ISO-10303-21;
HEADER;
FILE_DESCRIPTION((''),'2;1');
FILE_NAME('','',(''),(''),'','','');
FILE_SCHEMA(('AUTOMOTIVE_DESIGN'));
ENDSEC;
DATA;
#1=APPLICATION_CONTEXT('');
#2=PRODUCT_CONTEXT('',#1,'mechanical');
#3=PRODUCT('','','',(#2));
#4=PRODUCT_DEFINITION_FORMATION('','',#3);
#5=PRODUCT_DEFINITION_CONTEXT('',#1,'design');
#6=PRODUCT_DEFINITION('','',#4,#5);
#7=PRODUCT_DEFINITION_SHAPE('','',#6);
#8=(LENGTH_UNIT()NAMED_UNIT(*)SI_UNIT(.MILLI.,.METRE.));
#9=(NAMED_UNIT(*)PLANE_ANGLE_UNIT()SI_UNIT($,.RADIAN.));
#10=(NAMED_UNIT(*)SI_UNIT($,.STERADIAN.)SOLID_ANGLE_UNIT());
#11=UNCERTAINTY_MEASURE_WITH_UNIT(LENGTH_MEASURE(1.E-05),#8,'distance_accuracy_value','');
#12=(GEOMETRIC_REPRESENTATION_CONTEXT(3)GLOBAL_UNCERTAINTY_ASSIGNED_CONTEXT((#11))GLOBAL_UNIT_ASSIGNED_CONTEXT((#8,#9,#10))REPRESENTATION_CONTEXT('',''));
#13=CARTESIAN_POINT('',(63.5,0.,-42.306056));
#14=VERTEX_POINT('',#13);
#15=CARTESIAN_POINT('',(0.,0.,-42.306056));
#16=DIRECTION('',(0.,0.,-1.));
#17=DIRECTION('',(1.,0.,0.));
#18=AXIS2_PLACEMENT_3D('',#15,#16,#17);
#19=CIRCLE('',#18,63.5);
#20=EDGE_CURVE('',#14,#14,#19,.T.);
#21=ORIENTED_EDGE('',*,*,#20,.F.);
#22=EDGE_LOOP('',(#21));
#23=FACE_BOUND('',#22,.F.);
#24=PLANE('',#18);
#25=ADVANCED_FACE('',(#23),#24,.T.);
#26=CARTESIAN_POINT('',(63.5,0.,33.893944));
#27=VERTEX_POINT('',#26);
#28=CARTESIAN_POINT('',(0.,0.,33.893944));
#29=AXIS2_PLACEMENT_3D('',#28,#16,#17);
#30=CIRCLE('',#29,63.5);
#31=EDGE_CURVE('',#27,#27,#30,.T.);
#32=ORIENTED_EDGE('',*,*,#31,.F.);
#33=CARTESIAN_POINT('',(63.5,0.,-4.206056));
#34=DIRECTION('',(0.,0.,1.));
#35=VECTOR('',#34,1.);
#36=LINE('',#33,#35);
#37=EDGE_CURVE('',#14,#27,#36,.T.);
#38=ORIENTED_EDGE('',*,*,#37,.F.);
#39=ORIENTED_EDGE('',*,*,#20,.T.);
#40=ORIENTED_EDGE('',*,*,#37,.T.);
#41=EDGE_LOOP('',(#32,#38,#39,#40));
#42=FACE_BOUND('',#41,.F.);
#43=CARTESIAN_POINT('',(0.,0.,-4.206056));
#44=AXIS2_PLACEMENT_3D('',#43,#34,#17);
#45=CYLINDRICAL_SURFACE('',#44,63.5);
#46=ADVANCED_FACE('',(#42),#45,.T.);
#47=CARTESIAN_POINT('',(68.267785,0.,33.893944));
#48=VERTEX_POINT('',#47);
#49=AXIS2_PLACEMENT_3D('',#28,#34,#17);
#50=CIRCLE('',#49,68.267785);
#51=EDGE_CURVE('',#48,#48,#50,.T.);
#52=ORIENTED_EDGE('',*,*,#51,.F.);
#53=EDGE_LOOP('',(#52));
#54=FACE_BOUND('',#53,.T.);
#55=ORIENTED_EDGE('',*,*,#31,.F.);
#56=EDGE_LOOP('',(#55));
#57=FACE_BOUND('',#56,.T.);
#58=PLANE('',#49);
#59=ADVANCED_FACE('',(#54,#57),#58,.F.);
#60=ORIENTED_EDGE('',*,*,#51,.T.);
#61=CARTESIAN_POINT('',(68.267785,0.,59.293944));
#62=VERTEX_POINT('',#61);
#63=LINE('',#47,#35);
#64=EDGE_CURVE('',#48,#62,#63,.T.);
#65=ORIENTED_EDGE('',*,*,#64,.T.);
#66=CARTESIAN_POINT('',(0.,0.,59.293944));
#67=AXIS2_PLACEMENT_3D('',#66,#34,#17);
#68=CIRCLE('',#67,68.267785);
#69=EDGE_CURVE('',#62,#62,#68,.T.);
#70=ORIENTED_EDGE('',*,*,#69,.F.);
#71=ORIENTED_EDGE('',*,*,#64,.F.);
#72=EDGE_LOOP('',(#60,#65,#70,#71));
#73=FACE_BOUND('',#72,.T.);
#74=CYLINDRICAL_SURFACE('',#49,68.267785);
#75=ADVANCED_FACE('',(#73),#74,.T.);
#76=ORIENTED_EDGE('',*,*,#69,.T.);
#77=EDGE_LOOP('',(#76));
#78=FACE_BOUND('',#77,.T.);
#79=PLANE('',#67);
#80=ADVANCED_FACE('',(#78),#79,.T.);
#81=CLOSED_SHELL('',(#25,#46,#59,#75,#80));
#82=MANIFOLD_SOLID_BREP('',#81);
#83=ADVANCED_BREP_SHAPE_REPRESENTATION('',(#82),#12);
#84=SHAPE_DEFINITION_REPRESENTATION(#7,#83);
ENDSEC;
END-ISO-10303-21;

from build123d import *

# Parameters (mm, degrees)
F0_W = 63.5
F0_H = 76.2


with BuildPart() as f1:
    # F0 (on Front) → F1 (revolve)
    with BuildSketch(Plane.XZ):
        with Locations((31.75, -4.206056)):
            Rectangle(F0_W, F0_H)
    revolve(axis=Axis((0, 0, -4.206056), (0, 0, -1)))

    # F0 (on Front) → F2 (revolve)
    with BuildSketch(Plane.XZ):
        Polygon((0, 59.293944), (0, 33.893944), (63.5, 33.893944), (68.267785, 33.893944), (68.267785, 59.293944), align=None)
    revolve(axis=Axis((0, 0, 46.648586), (0, 0, 1)))


solid = f1.part
